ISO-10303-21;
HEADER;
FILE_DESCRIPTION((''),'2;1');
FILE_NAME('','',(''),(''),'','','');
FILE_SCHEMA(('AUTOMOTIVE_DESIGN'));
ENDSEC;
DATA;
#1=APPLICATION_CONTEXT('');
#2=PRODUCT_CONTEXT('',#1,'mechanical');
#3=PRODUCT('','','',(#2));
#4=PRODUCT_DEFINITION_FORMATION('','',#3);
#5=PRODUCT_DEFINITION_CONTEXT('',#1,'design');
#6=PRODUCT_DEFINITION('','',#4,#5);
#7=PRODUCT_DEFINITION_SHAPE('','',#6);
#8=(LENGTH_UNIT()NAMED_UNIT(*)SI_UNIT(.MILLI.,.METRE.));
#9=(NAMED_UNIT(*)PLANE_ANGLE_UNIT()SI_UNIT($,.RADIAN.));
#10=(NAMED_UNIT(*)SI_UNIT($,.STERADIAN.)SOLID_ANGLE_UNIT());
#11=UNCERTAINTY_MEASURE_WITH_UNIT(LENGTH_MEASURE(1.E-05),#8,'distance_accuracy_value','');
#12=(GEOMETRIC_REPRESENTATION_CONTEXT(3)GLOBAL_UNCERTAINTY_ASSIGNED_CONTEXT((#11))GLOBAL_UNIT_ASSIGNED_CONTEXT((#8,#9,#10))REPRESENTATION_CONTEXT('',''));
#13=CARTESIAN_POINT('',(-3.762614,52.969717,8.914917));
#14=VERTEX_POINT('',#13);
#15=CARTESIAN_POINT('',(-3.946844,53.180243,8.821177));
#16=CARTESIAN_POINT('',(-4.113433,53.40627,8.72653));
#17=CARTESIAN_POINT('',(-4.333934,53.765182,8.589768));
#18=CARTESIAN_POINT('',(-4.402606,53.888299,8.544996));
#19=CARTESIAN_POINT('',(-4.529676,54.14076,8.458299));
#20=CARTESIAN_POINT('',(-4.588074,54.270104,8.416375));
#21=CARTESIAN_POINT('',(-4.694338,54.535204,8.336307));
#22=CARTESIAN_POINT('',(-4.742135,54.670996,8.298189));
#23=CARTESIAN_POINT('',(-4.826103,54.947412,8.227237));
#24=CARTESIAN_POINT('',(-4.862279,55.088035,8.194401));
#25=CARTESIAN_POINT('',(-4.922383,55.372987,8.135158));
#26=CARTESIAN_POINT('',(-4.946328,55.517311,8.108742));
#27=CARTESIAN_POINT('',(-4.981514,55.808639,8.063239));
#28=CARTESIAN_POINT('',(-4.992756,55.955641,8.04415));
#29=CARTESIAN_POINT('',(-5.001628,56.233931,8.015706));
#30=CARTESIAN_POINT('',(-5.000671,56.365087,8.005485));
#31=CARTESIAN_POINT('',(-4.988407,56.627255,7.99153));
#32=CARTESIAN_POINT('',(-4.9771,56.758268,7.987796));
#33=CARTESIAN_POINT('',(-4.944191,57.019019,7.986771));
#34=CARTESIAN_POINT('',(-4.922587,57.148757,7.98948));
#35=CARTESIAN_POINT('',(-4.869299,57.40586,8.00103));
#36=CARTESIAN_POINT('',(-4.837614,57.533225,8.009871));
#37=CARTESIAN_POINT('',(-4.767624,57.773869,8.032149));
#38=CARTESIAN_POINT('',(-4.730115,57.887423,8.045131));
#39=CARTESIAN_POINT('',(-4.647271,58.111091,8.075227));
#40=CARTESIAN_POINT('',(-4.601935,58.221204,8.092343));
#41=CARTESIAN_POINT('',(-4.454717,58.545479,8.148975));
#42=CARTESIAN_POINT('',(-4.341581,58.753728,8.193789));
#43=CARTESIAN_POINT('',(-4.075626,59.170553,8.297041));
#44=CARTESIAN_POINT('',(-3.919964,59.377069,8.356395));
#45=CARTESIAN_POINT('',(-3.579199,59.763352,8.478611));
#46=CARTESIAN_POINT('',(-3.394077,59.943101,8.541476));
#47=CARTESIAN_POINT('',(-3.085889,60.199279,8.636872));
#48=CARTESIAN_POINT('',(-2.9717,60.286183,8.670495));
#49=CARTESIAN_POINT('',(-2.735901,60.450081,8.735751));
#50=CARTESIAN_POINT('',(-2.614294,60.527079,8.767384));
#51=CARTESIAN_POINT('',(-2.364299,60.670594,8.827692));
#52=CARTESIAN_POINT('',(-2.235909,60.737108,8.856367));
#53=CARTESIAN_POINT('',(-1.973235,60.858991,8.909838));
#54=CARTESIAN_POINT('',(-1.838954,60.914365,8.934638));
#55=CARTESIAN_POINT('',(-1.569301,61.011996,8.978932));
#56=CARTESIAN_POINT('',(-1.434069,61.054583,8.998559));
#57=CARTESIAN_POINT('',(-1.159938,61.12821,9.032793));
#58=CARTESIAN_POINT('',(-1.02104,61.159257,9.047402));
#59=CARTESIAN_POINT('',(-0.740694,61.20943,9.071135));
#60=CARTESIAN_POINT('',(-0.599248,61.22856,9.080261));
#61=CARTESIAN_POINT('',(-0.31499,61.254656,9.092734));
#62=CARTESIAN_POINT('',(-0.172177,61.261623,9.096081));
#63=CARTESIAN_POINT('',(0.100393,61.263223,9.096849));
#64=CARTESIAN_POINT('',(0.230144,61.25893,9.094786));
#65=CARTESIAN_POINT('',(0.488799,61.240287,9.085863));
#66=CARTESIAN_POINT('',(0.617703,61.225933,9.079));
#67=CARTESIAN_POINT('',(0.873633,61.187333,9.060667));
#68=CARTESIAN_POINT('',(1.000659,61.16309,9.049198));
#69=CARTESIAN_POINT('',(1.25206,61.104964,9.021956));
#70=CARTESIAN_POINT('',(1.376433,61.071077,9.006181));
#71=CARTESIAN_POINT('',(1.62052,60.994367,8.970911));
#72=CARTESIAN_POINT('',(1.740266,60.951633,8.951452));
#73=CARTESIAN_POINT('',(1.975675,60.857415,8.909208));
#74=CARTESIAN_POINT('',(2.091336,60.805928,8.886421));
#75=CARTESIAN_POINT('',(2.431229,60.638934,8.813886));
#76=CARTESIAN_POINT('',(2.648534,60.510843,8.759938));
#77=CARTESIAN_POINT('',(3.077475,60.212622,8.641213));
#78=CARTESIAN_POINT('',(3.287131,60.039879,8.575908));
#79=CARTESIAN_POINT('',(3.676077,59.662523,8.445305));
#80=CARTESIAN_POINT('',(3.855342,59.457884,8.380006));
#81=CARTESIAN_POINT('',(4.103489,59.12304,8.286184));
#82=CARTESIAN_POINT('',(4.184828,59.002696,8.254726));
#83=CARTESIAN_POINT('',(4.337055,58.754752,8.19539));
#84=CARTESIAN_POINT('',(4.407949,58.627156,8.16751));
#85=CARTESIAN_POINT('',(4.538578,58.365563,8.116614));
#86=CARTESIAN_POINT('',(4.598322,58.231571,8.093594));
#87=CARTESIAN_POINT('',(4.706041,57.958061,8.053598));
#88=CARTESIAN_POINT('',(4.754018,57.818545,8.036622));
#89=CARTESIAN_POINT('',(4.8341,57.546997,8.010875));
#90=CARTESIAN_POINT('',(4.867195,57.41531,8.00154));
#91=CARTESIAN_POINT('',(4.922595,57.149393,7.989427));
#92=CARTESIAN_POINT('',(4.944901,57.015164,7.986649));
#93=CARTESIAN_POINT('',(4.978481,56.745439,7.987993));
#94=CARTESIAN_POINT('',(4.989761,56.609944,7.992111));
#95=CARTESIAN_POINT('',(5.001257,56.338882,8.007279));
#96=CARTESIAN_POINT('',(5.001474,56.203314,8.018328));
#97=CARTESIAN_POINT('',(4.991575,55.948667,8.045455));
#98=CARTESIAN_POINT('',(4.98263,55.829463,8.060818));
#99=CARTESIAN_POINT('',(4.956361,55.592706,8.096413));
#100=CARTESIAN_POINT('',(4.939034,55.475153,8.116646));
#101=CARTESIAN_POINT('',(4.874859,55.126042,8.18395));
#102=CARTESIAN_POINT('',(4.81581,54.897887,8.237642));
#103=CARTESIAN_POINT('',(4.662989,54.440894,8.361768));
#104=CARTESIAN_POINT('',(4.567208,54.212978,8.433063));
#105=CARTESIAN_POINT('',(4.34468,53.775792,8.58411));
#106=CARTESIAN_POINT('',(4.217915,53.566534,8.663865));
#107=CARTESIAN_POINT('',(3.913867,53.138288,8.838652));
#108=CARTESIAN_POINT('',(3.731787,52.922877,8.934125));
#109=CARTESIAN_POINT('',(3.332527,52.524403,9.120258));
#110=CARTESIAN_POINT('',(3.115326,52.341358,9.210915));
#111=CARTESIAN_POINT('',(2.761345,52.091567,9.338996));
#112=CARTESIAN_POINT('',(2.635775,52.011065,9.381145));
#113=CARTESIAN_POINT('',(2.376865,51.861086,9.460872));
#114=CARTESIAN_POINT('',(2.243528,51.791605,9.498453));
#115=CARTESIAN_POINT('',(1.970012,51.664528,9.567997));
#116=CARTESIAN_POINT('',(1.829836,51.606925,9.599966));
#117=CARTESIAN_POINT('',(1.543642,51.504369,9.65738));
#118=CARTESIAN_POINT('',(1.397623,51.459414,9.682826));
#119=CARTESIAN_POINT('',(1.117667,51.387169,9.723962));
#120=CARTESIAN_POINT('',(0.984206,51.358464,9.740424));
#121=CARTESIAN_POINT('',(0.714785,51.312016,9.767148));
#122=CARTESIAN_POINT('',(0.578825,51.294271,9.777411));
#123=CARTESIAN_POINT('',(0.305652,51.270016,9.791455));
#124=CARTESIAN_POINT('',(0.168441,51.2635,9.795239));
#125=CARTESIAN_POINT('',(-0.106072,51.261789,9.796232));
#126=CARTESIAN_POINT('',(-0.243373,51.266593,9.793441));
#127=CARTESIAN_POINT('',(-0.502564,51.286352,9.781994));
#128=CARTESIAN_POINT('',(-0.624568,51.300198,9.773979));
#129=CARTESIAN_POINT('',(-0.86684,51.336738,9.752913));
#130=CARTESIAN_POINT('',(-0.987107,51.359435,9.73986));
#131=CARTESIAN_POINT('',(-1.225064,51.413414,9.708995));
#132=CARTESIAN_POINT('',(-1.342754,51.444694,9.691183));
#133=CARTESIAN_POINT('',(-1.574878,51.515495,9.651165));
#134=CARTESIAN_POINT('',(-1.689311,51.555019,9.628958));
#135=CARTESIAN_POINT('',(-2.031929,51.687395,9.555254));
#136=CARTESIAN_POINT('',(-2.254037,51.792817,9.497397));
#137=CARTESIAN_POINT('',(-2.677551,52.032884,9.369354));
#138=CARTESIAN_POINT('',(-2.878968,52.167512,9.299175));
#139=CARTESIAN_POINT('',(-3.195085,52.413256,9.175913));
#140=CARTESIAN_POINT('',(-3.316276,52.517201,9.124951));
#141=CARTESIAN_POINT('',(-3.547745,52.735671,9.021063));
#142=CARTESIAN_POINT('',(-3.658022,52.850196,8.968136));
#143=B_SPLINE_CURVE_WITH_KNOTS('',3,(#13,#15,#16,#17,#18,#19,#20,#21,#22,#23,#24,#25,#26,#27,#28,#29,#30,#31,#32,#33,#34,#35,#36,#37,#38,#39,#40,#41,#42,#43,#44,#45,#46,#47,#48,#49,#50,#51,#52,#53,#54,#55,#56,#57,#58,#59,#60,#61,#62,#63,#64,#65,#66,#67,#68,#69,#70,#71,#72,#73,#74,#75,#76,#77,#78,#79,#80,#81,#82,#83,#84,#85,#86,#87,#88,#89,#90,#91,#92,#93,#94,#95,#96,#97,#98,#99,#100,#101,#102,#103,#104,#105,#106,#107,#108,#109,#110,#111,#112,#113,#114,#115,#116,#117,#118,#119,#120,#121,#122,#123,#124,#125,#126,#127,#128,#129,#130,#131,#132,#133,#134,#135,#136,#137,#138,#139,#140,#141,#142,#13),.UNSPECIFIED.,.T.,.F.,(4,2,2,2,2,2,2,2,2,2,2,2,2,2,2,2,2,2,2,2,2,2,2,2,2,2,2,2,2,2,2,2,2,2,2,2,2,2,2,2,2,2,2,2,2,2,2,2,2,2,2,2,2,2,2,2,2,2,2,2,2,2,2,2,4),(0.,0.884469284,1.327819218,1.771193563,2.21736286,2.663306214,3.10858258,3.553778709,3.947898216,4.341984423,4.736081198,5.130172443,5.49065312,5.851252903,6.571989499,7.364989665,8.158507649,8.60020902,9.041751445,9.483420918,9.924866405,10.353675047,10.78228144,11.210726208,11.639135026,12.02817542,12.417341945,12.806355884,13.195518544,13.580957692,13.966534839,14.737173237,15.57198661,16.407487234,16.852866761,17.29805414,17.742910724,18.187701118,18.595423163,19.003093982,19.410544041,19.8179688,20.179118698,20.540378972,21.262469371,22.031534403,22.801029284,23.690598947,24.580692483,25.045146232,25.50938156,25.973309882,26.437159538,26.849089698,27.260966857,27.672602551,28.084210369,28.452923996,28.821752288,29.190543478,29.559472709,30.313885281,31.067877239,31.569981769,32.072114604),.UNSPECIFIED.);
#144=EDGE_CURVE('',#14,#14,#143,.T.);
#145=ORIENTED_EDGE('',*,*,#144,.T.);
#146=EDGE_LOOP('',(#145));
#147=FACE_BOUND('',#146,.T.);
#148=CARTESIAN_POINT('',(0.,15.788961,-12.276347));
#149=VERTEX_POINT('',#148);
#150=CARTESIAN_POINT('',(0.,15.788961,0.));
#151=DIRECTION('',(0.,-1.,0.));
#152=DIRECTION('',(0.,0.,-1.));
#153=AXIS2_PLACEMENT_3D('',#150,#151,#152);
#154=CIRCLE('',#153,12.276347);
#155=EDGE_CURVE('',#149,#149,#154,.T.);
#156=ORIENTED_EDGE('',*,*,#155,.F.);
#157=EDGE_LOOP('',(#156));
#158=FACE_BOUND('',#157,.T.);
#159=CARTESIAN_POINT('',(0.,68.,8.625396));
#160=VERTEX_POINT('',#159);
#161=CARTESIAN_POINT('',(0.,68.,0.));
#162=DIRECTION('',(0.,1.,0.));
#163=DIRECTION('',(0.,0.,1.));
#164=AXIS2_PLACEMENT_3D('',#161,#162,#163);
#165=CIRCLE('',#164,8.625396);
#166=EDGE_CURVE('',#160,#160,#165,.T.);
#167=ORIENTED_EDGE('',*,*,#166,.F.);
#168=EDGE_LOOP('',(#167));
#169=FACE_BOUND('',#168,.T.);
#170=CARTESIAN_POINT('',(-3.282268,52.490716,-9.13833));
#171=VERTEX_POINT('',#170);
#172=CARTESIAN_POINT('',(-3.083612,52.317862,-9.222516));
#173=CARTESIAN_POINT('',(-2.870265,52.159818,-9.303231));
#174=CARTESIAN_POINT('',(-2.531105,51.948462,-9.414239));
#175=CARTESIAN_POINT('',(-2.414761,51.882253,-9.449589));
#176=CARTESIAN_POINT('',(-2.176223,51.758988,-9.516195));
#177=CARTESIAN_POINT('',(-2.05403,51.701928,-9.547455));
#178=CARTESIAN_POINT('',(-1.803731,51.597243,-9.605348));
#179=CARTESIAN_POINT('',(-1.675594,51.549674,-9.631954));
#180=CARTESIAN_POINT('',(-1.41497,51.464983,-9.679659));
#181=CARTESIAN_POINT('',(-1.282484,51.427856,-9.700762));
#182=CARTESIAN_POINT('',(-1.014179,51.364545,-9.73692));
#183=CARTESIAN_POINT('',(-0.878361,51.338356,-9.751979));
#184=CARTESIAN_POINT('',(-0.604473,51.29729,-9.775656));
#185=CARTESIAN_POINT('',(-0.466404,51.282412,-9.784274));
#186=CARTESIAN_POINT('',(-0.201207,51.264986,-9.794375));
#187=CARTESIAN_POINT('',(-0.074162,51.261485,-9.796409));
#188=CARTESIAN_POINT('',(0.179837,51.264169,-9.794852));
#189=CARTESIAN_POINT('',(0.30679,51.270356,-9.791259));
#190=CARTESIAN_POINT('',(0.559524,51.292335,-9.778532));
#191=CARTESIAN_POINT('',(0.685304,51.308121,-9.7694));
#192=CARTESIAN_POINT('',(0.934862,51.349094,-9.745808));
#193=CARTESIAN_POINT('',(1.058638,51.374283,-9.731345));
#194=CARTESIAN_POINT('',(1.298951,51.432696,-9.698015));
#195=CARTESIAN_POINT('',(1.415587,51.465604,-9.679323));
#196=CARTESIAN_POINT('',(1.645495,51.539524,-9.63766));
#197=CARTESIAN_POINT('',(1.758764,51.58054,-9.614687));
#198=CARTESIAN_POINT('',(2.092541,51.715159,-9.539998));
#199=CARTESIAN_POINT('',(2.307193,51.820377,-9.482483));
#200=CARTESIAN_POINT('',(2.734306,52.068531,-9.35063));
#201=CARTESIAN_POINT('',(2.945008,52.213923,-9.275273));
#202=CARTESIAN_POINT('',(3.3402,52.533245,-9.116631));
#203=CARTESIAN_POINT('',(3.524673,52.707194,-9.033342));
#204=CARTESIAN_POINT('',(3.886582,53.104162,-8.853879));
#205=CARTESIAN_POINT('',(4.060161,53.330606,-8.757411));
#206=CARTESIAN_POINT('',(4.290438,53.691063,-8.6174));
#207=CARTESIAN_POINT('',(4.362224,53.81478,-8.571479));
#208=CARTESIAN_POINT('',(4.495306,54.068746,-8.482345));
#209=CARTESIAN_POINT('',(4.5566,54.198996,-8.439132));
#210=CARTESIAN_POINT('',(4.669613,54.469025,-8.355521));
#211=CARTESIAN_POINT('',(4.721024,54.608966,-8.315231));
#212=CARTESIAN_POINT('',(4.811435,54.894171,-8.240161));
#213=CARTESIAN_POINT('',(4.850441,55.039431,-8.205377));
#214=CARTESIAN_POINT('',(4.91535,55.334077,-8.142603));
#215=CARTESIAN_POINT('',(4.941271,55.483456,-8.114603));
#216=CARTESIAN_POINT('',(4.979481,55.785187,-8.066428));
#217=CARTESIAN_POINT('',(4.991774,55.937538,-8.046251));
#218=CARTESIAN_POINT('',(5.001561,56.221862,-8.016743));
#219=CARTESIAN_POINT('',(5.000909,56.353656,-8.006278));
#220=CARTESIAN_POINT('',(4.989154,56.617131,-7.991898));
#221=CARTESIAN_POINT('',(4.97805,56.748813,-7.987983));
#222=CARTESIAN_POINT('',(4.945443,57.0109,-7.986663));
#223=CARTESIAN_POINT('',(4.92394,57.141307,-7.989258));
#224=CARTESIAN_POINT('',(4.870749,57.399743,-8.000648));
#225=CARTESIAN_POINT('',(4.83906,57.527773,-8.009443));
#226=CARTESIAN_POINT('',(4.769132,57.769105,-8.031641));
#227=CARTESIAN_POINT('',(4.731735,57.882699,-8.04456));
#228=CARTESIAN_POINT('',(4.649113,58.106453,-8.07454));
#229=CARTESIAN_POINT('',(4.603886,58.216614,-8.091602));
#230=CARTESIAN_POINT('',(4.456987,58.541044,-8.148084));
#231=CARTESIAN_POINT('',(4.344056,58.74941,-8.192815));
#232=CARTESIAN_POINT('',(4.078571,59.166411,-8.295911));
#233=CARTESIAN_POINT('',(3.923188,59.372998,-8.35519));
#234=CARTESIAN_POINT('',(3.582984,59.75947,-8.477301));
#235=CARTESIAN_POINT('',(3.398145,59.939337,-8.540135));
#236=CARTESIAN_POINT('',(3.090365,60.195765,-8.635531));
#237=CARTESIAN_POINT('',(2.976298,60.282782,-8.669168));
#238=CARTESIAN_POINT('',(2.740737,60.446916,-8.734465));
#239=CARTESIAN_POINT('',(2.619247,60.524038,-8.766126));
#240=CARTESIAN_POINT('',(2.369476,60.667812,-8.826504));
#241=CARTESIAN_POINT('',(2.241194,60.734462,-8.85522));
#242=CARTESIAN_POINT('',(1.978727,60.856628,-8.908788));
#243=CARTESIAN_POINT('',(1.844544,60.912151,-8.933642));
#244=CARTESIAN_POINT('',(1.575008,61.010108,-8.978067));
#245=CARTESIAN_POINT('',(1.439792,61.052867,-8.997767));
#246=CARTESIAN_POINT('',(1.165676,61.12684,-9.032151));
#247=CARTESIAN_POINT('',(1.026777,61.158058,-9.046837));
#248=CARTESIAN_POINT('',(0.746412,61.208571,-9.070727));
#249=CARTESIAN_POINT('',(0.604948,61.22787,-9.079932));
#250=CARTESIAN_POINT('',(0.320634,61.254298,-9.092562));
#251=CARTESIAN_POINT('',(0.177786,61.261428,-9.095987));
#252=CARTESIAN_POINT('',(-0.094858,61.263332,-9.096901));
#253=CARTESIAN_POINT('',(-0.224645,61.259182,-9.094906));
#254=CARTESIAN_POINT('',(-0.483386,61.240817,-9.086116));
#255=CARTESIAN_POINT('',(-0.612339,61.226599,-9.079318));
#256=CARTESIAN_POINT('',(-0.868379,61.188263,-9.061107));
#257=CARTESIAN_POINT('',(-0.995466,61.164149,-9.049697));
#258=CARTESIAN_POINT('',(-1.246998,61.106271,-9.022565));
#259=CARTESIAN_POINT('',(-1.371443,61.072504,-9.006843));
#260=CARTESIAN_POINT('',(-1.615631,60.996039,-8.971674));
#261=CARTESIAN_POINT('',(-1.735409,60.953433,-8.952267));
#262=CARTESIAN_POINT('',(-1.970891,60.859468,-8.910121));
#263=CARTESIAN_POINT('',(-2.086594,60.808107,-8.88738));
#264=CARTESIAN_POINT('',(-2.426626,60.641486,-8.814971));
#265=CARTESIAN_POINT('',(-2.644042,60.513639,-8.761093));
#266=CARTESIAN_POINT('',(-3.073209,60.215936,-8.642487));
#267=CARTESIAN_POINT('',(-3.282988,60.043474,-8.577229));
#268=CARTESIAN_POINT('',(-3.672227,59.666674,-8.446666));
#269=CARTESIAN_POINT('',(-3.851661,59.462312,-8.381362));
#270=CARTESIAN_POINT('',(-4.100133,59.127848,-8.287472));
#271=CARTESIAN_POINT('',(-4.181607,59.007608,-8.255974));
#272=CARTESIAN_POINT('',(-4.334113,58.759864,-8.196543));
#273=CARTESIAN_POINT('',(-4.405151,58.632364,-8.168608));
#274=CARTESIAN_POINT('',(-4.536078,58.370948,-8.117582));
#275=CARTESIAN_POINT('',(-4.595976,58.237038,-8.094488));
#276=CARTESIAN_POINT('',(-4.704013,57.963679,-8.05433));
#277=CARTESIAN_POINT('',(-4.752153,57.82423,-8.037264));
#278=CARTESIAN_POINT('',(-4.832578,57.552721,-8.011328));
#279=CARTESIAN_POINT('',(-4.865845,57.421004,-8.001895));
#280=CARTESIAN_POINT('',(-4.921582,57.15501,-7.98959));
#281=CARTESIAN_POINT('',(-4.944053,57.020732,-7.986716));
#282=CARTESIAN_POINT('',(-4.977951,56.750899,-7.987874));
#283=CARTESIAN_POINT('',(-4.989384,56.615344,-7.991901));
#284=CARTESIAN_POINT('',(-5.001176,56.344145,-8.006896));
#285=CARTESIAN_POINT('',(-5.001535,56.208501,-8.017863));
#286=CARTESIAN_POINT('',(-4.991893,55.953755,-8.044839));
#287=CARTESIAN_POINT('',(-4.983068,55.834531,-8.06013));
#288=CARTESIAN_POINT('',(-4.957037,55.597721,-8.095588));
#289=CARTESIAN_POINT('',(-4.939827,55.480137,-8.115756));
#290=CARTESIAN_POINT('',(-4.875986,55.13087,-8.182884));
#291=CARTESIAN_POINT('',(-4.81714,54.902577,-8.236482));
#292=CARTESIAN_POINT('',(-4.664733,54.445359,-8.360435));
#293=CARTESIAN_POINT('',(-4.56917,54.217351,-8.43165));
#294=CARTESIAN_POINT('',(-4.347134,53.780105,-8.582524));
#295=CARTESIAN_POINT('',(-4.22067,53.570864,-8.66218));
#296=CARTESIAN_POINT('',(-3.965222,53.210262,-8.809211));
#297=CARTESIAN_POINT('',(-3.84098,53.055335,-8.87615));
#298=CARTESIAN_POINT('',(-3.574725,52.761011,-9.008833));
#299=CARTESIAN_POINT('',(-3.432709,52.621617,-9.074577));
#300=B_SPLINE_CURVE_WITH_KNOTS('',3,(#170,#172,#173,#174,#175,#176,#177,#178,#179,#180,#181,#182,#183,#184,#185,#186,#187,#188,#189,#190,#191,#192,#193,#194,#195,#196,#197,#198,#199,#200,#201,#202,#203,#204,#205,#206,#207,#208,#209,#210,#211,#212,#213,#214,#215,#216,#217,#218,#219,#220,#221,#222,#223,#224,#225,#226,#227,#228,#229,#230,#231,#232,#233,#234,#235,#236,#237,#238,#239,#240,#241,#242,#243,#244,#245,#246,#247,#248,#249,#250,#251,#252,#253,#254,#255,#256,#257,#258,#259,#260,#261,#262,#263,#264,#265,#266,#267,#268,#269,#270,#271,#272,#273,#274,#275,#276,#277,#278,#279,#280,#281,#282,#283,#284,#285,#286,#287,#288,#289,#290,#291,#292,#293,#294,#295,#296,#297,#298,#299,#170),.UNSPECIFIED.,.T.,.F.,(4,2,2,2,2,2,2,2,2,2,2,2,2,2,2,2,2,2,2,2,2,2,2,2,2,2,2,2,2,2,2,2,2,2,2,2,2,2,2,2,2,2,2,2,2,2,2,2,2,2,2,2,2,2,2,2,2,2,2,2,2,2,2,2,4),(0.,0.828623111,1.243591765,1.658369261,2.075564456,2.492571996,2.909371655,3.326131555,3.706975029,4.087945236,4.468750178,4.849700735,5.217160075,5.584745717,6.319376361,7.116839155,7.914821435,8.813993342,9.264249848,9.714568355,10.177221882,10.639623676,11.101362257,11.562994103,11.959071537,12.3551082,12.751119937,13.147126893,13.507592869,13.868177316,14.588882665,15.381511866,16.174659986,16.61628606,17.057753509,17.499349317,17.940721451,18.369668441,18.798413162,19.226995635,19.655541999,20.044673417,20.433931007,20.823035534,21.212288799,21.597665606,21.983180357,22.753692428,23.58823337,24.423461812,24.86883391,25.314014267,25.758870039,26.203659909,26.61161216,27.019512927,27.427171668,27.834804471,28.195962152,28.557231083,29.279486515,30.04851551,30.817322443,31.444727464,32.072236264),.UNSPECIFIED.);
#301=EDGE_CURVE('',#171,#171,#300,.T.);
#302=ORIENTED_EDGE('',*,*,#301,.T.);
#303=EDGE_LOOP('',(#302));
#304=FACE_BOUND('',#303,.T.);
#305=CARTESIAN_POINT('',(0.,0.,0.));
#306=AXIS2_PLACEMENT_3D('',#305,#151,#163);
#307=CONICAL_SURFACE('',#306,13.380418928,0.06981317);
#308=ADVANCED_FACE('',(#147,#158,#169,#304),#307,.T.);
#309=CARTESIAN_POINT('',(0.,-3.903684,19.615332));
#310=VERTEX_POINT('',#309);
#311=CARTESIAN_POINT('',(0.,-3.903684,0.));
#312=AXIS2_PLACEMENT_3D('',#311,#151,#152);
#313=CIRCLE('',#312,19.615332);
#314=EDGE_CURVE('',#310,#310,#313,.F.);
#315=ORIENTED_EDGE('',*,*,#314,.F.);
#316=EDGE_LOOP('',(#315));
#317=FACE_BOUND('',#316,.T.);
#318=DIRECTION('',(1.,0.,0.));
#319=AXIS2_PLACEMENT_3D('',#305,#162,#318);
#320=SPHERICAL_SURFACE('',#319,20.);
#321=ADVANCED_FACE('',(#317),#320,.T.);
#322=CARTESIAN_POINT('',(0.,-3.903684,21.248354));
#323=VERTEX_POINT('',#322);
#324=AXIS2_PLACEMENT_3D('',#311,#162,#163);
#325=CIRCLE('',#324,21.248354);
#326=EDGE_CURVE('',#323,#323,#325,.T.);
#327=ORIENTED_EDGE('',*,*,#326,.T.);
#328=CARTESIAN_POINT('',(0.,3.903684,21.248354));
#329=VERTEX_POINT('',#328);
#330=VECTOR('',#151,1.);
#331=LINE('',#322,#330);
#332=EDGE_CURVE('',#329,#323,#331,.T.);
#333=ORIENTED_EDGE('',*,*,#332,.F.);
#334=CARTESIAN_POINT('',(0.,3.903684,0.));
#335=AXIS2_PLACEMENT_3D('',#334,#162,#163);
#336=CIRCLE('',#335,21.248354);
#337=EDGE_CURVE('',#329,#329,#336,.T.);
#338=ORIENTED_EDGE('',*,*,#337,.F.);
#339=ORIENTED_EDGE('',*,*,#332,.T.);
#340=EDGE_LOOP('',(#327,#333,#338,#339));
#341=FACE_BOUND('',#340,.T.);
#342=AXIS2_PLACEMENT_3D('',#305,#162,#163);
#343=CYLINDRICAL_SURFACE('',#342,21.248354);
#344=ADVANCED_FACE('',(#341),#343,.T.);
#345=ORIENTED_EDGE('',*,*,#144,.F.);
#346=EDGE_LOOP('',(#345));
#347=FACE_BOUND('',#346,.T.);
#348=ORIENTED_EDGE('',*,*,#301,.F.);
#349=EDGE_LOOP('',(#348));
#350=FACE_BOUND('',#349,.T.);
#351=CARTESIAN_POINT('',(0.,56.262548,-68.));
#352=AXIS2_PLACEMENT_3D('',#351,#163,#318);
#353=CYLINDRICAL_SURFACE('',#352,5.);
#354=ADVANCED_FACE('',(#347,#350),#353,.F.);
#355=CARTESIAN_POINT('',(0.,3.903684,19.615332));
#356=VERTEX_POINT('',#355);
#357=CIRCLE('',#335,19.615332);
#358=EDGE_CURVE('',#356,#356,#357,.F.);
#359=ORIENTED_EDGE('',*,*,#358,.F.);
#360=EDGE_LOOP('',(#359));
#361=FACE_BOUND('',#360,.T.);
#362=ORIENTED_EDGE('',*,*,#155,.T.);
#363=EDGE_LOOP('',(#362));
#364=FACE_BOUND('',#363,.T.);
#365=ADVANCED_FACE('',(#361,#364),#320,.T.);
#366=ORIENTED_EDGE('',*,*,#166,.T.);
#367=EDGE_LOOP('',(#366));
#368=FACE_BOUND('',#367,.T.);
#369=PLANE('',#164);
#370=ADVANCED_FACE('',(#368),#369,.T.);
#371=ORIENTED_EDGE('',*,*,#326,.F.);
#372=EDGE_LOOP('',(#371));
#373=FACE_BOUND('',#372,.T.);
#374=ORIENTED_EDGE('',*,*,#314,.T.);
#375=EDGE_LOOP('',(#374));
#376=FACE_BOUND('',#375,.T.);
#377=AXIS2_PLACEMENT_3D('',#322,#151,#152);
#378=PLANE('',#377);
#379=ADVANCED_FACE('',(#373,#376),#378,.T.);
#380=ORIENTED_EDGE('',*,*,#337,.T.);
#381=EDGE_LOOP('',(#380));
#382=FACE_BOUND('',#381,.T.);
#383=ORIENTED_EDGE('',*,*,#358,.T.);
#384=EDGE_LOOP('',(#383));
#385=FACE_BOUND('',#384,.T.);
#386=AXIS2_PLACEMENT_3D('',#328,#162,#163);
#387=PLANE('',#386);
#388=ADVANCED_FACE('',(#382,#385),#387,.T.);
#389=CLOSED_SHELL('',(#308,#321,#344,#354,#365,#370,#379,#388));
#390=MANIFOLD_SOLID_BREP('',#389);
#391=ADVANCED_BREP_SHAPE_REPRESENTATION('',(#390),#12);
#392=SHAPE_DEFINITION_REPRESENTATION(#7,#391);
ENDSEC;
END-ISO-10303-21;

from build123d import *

# Parameters (mm, degrees)
ESQUISSE10_R                 = 13.380418928
BOSS_EXTRU_1_DEPTH           = 68
BOSS_EXTRU_1_TAPER           = 4
ENL_V_MAT_EXTRU_1_DEPTH      = 68
ENL_V_MAT_EXTRU_1_DEPTH_BACK = 68
ESQUISSE11_R                 = 5
ESQUISSE12_W                 = 2.496707964
ESQUISSE12_H                 = 7.80736829


with BuildPart() as part:
    # Esquisse1 → Révolution1 (revolve)
    with BuildSketch(Plane.XY):
        with BuildLine():
            Line((0, 20), (0, -20))
            ThreePointArc((0, -20), (-20, 0), (0, 20))
        make_face()
    revolve(axis=Axis((0, 20, 0), (0, -1, 0)))

    # Esquisse10 → Boss.-Extru.1 (add)
    with BuildSketch(Plane(origin=(0, 0, 0), x_dir=(1, 0, 0), z_dir=(0, 1, 0))):
        Circle(ESQUISSE10_R)
    extrude(amount=BOSS_EXTRU_1_DEPTH, taper=BOSS_EXTRU_1_TAPER)

    # Esquisse11 → Enlèv. mat.-Extru.1 (cut, two sides: drawn at the far end of the back side and taken through both)
    with BuildSketch(Plane.XY.offset(-ENL_V_MAT_EXTRU_1_DEPTH_BACK)):
        with Locations((0, 56.262547548)):
            Circle(ESQUISSE11_R)
    extrude(amount=ENL_V_MAT_EXTRU_1_DEPTH + ENL_V_MAT_EXTRU_1_DEPTH_BACK, mode=Mode.SUBTRACT)

    # Balayage1: sweep along a path in Esquisse19
    with BuildLine(Plane(origin=(0, 0, 0), x_dir=(1, 0, 0), z_dir=(0, 1, 0))) as balayage1_path:
        CenterArc((0, 0), 20, 0, 360)
    # Esquisse12 → Balayage1 (sweep)
    with BuildSketch(Plane(origin=(0, 0, 0), x_dir=(0, 0, -1), z_dir=(1, 0, 0))):
        with Locations((-20, 0)):
            Rectangle(ESQUISSE12_W, ESQUISSE12_H)
    sweep(path=balayage1_path.line)


solid = part.part
